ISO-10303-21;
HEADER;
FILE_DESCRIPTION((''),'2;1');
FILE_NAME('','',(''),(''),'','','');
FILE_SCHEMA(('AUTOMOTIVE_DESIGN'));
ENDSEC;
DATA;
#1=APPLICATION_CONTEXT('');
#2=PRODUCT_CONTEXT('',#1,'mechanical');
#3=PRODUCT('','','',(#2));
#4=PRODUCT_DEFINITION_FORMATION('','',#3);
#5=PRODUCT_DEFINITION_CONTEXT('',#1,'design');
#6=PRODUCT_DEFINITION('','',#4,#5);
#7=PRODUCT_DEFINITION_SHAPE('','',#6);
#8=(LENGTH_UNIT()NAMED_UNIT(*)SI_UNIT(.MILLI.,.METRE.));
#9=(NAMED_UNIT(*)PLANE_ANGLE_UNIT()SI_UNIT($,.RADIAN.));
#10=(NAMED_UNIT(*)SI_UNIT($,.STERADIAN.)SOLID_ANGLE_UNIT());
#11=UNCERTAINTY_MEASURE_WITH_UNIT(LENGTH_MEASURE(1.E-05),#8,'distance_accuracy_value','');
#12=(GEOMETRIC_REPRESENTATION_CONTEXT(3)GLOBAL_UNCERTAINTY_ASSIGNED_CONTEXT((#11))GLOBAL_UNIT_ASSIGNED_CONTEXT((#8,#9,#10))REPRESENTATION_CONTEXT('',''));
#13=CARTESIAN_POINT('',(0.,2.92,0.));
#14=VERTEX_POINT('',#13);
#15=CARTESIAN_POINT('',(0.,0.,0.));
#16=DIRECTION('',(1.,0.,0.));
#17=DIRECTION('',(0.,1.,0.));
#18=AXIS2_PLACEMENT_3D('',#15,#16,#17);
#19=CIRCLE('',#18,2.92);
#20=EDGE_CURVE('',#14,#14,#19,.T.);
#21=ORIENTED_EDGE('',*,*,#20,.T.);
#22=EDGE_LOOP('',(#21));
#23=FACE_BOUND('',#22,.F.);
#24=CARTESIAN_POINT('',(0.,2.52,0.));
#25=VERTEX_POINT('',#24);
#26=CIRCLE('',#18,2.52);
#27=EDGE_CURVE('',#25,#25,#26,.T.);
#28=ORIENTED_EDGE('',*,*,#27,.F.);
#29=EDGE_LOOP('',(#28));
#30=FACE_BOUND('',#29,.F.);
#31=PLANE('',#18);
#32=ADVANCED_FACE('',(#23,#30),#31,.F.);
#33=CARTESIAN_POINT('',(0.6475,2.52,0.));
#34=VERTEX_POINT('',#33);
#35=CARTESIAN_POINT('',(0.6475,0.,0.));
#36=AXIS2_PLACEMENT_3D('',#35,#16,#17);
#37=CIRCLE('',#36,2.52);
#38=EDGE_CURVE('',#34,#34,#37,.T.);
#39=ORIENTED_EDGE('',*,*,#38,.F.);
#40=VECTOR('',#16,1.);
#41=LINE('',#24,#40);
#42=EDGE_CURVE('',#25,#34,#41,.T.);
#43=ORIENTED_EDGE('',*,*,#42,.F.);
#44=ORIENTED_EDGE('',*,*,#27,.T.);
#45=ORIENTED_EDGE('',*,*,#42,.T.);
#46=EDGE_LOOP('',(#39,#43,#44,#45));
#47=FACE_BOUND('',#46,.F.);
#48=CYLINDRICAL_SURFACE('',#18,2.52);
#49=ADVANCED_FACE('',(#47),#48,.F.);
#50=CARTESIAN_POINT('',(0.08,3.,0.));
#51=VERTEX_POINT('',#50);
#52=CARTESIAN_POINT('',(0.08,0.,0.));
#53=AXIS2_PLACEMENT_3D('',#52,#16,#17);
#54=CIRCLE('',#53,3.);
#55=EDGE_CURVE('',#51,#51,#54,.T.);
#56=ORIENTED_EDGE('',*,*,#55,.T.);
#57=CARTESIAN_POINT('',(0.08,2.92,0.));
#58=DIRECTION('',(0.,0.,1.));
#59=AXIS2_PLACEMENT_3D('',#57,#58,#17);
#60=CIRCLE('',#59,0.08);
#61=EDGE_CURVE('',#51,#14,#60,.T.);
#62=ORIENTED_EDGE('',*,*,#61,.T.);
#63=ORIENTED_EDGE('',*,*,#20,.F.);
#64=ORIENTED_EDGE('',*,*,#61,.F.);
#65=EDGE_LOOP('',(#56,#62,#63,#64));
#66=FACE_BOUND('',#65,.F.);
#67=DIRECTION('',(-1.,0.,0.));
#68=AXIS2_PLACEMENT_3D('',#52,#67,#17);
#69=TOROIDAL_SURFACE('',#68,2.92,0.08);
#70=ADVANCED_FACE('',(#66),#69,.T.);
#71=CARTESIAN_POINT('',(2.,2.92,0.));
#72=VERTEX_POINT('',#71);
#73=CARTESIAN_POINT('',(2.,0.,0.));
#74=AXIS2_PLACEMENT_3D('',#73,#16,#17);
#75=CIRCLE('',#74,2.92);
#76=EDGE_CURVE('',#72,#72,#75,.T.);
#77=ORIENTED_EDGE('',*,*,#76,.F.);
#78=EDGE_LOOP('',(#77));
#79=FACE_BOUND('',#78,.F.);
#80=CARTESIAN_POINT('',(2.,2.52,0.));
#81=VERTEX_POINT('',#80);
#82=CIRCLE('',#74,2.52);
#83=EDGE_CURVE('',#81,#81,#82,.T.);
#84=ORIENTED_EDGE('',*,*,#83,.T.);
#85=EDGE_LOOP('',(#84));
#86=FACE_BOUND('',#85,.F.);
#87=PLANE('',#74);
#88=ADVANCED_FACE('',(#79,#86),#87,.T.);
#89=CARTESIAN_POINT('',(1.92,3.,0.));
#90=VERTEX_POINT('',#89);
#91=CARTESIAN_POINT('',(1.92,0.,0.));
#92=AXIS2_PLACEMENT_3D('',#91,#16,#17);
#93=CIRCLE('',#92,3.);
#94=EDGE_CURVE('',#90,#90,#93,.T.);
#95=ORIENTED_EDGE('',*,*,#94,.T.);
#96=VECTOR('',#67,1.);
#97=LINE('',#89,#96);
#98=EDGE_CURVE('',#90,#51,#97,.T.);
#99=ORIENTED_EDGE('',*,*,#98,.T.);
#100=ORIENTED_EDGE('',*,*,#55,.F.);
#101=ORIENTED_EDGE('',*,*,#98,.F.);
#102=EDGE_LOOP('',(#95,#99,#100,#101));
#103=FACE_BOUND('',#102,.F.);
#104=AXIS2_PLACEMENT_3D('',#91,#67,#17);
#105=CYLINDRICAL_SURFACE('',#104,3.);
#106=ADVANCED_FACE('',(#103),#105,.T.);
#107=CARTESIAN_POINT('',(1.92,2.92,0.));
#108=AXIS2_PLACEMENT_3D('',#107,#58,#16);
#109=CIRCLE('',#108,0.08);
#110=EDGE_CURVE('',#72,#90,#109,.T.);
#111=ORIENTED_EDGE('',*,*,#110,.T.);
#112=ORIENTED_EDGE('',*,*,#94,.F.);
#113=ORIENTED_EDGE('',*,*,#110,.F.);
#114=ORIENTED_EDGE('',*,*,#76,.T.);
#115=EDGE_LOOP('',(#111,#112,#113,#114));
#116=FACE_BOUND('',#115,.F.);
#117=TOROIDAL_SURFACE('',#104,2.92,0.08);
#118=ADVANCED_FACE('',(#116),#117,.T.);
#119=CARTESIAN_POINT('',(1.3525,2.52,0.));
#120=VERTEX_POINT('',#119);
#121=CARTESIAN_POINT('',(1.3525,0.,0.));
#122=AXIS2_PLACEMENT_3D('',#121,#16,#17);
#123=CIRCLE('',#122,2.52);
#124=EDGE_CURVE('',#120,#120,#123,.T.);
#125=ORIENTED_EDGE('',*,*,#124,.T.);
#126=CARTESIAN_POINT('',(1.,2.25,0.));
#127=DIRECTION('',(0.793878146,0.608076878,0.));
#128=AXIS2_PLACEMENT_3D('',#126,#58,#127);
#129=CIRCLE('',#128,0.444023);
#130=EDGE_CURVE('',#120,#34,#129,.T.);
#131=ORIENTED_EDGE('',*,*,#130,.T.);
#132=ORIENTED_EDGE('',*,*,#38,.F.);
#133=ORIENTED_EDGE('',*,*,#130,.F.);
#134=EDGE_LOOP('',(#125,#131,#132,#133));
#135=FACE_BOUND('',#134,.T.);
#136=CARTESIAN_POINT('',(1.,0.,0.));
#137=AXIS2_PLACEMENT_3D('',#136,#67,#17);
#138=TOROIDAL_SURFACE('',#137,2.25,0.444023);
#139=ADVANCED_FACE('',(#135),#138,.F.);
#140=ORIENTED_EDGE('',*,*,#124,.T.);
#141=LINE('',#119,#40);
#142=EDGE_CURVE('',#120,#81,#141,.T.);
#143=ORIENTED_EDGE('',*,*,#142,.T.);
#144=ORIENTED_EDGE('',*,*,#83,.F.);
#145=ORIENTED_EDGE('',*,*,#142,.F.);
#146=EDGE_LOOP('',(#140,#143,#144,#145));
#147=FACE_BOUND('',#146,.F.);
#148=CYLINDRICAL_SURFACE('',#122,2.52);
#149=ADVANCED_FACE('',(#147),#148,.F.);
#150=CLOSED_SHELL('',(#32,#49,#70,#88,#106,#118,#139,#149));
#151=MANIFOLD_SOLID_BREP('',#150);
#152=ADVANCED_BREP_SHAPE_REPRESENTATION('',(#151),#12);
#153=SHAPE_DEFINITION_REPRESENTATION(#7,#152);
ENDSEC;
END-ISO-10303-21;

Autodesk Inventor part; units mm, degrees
sketch "Sketch_1" plane through (0, 0, 0) normal (0, 0, 1) x (1, 0, 0)
  line L0 (2, 0) -> (0, 0)
  line L1 (0, 2.92) -> (0, 2.52)
  line L2 (0, 2.52) -> (0.6475, 2.52)
  arc A0 (1.3525, 2.52) -> (0.6475, 2.52) centre (1, 2.25) ccw
  line L3 (1.3525, 2.52) -> (2, 2.52)
  line L4 (2, 2.52) -> (2, 2.92)
  arc A1 (2, 2.92) -> (1.92, 3) centre (1.92, 2.92) ccw
  line L5 (1.92, 3) -> (0.08, 3)
  arc A2 (0.08, 3) -> (0, 2.92) centre (0.08, 2.92) ccw
revolve "Revolution1" add sketch "Sketch_1" angle 360 about axis through (2, 0, 0) along (1, 0, 0)
ref_plane "mss_or_XY" through (0, 0, 0) normal (1, 0, 0) x (0, 0, -1)
ref_plane "mss_or_YZ" through (0, 0, 0) normal (0, 0, -1) x (0, 1, 0)
ref_plane "mss_or_ZX" through (0, 0, 0) normal (0, 1, 0) x (1, 0, 0)
ref_plane "mss_or11_XY" through (2.5, 0, 0) normal (1, 0, 0) x (0, 0, -1)
ref_plane "mss_or11_YZ" through (2.5, 0, 0) normal (0, 0, -1) x (0, 1, 0)
ref_plane "mss_or11_ZX" through (2.5, 0, 0) normal (0, 1, 0) x (1, 0, 0)
ref_plane "mss_or2_1_XY" through (1, 2.25, 0) normal (1, 0, 0) x (0, 0, -1)
ref_plane "mss_or2_1_YZ" through (1, 2.25, 0) normal (0, 0, -1) x (0, 1, 0)
ref_plane "mss_or2_1_ZX" through (1, 2.25, 0) normal (0, 1, 0) x (1, 0, 0)
ref_plane "mss_or2_2_XY" through (1, 1.7236, 1.4463) normal (1, 0, 0) x (0, 0, -1)
ref_plane "mss_or2_2_YZ" through (1, 1.7236, 1.4463) normal (0, 0, -1) x (0, 1, 0)
ref_plane "mss_or2_2_ZX" through (1, 1.7236, 1.4463) normal (0, 1, 0) x (1, 0, 0)
ref_plane "mss_or2_3_XY" through (1, 0.3907, 2.2158) normal (1, 0, 0) x (0, 0, -1)
ref_plane "mss_or2_3_YZ" through (1, 0.3907, 2.2158) normal (0, 0, -1) x (0, 1, 0)
ref_plane "mss_or2_3_ZX" through (1, 0.3907, 2.2158) normal (0, 1, 0) x (1, 0, 0)
ref_plane "mss_or2_4_XY" through (1, -1.125, 1.9486) normal (1, 0, 0) x (0, 0, -1)
ref_plane "mss_or2_4_YZ" through (1, -1.125, 1.9486) normal (0, 0, -1) x (0, 1, 0)
ref_plane "mss_or2_4_ZX" through (1, -1.125, 1.9486) normal (0, 1, 0) x (1, 0, 0)
ref_plane "mss_or2_5_XY" through (1, -2.1143, 0.7695) normal (1, 0, 0) x (0, 0, -1)
ref_plane "mss_or2_5_YZ" through (1, -2.1143, 0.7695) normal (0, 0, -1) x (0, 1, 0)
ref_plane "mss_or2_5_ZX" through (1, -2.1143, 0.7695) normal (0, 1, 0) x (1, 0, 0)
ref_plane "mss_or2_6_XY" through (1, -2.1143, -0.7695) normal (1, 0, 0) x (0, 0, -1)
ref_plane "mss_or2_6_YZ" through (1, -2.1143, -0.7695) normal (0, 0, -1) x (0, 1, 0)
ref_plane "mss_or2_6_ZX" through (1, -2.1143, -0.7695) normal (0, 1, 0) x (1, 0, 0)
ref_plane "mss_or2_7_XY" through (1, -1.125, -1.9486) normal (1, 0, 0) x (0, 0, -1)
ref_plane "mss_or2_7_YZ" through (1, -1.125, -1.9486) normal (0, 0, -1) x (0, 1, 0)
ref_plane "mss_or2_7_ZX" through (1, -1.125, -1.9486) normal (0, 1, 0) x (1, 0, 0)
ref_plane "mss_or2_8_XY" through (1, 0.3907, -2.2158) normal (1, 0, 0) x (0, 0, -1)
ref_plane "mss_or2_8_YZ" through (1, 0.3907, -2.2158) normal (0, 0, -1) x (0, 1, 0)
ref_plane "mss_or2_8_ZX" through (1, 0.3907, -2.2158) normal (0, 1, 0) x (1, 0, 0)
ref_plane "mss_or2_9_XY" through (1, 1.7236, -1.4463) normal (1, 0, 0) x (0, 0, -1)
ref_plane "mss_or2_9_YZ" through (1, 1.7236, -1.4463) normal (0, 0, -1) x (0, 1, 0)
ref_plane "mss_or2_9_ZX" through (1, 1.7236, -1.4463) normal (0, 1, 0) x (1, 0, 0)
ref_plane "mss_or21_1_XY" through (1.25, 2.25, 0) normal (1, 0, 0) x (0, 0, -1)
ref_plane "mss_or21_1_YZ" through (1.25, 2.25, 0) normal (0, 0, -1) x (0, 1, 0)
ref_plane "mss_or21_1_ZX" through (1.25, 2.25, 0) normal (0, 1, 0) x (1, 0, 0)
ref_plane "mss_or21_2_XY" through (1.25, 1.7236, 1.4463) normal (1, 0, 0) x (0, 0, -1)
ref_plane "mss_or21_2_YZ" through (1.25, 1.7236, 1.4463) normal (0, 0, -1) x (0, 1, 0)
ref_plane "mss_or21_2_ZX" through (1.25, 1.7236, 1.4463) normal (0, 1, 0) x (1, 0, 0)
ref_plane "mss_or21_3_XY" through (1.25, 0.3907, 2.2158) normal (1, 0, 0) x (0, 0, -1)
ref_plane "mss_or21_3_YZ" through (1.25, 0.3907, 2.2158) normal (0, 0, -1) x (0, 1, 0)
ref_plane "mss_or21_3_ZX" through (1.25, 0.3907, 2.2158) normal (0, 1, 0) x (1, 0, 0)
ref_plane "mss_or21_4_XY" through (1.25, -1.125, 1.9486) normal (1, 0, 0) x (0, 0, -1)
ref_plane "mss_or21_4_YZ" through (1.25, -1.125, 1.9486) normal (0, 0, -1) x (0, 1, 0)
ref_plane "mss_or21_4_ZX" through (1.25, -1.125, 1.9486) normal (0, 1, 0) x (1, 0, 0)
ref_plane "mss_or21_5_XY" through (1.25, -2.1143, 0.7695) normal (1, 0, 0) x (0, 0, -1)
ref_plane "mss_or21_5_YZ" through (1.25, -2.1143, 0.7695) normal (0, 0, -1) x (0, 1, 0)
ref_plane "mss_or21_5_ZX" through (1.25, -2.1143, 0.7695) normal (0, 1, 0) x (1, 0, 0)
ref_plane "mss_or21_6_XY" through (1.25, -2.1143, -0.7695) normal (1, 0, 0) x (0, 0, -1)
ref_plane "mss_or21_6_YZ" through (1.25, -2.1143, -0.7695) normal (0, 0, -1) x (0, 1, 0)
ref_plane "mss_or21_6_ZX" through (1.25, -2.1143, -0.7695) normal (0, 1, 0) x (1, 0, 0)
ref_plane "mss_or21_7_XY" through (1.25, -1.125, -1.9486) normal (1, 0, 0) x (0, 0, -1)
ref_plane "mss_or21_7_YZ" through (1.25, -1.125, -1.9486) normal (0, 0, -1) x (0, 1, 0)
ref_plane "mss_or21_7_ZX" through (1.25, -1.125, -1.9486) normal (0, 1, 0) x (1, 0, 0)
ref_plane "mss_or21_8_XY" through (1.25, 0.3907, -2.2158) normal (1, 0, 0) x (0, 0, -1)
ref_plane "mss_or21_8_YZ" through (1.25, 0.3907, -2.2158) normal (0, 0, -1) x (0, 1, 0)
ref_plane "mss_or21_8_ZX" through (1.25, 0.3907, -2.2158) normal (0, 1, 0) x (1, 0, 0)
ref_plane "mss_or21_9_XY" through (1.25, 1.7236, -1.4463) normal (1, 0, 0) x (0, 0, -1)
ref_plane "mss_or21_9_YZ" through (1.25, 1.7236, -1.4463) normal (0, 0, -1) x (0, 1, 0)
ref_plane "mss_or21_9_ZX" through (1.25, 1.7236, -1.4463) normal (0, 1, 0) x (1, 0, 0)
properties part number "673 Outer ring"
